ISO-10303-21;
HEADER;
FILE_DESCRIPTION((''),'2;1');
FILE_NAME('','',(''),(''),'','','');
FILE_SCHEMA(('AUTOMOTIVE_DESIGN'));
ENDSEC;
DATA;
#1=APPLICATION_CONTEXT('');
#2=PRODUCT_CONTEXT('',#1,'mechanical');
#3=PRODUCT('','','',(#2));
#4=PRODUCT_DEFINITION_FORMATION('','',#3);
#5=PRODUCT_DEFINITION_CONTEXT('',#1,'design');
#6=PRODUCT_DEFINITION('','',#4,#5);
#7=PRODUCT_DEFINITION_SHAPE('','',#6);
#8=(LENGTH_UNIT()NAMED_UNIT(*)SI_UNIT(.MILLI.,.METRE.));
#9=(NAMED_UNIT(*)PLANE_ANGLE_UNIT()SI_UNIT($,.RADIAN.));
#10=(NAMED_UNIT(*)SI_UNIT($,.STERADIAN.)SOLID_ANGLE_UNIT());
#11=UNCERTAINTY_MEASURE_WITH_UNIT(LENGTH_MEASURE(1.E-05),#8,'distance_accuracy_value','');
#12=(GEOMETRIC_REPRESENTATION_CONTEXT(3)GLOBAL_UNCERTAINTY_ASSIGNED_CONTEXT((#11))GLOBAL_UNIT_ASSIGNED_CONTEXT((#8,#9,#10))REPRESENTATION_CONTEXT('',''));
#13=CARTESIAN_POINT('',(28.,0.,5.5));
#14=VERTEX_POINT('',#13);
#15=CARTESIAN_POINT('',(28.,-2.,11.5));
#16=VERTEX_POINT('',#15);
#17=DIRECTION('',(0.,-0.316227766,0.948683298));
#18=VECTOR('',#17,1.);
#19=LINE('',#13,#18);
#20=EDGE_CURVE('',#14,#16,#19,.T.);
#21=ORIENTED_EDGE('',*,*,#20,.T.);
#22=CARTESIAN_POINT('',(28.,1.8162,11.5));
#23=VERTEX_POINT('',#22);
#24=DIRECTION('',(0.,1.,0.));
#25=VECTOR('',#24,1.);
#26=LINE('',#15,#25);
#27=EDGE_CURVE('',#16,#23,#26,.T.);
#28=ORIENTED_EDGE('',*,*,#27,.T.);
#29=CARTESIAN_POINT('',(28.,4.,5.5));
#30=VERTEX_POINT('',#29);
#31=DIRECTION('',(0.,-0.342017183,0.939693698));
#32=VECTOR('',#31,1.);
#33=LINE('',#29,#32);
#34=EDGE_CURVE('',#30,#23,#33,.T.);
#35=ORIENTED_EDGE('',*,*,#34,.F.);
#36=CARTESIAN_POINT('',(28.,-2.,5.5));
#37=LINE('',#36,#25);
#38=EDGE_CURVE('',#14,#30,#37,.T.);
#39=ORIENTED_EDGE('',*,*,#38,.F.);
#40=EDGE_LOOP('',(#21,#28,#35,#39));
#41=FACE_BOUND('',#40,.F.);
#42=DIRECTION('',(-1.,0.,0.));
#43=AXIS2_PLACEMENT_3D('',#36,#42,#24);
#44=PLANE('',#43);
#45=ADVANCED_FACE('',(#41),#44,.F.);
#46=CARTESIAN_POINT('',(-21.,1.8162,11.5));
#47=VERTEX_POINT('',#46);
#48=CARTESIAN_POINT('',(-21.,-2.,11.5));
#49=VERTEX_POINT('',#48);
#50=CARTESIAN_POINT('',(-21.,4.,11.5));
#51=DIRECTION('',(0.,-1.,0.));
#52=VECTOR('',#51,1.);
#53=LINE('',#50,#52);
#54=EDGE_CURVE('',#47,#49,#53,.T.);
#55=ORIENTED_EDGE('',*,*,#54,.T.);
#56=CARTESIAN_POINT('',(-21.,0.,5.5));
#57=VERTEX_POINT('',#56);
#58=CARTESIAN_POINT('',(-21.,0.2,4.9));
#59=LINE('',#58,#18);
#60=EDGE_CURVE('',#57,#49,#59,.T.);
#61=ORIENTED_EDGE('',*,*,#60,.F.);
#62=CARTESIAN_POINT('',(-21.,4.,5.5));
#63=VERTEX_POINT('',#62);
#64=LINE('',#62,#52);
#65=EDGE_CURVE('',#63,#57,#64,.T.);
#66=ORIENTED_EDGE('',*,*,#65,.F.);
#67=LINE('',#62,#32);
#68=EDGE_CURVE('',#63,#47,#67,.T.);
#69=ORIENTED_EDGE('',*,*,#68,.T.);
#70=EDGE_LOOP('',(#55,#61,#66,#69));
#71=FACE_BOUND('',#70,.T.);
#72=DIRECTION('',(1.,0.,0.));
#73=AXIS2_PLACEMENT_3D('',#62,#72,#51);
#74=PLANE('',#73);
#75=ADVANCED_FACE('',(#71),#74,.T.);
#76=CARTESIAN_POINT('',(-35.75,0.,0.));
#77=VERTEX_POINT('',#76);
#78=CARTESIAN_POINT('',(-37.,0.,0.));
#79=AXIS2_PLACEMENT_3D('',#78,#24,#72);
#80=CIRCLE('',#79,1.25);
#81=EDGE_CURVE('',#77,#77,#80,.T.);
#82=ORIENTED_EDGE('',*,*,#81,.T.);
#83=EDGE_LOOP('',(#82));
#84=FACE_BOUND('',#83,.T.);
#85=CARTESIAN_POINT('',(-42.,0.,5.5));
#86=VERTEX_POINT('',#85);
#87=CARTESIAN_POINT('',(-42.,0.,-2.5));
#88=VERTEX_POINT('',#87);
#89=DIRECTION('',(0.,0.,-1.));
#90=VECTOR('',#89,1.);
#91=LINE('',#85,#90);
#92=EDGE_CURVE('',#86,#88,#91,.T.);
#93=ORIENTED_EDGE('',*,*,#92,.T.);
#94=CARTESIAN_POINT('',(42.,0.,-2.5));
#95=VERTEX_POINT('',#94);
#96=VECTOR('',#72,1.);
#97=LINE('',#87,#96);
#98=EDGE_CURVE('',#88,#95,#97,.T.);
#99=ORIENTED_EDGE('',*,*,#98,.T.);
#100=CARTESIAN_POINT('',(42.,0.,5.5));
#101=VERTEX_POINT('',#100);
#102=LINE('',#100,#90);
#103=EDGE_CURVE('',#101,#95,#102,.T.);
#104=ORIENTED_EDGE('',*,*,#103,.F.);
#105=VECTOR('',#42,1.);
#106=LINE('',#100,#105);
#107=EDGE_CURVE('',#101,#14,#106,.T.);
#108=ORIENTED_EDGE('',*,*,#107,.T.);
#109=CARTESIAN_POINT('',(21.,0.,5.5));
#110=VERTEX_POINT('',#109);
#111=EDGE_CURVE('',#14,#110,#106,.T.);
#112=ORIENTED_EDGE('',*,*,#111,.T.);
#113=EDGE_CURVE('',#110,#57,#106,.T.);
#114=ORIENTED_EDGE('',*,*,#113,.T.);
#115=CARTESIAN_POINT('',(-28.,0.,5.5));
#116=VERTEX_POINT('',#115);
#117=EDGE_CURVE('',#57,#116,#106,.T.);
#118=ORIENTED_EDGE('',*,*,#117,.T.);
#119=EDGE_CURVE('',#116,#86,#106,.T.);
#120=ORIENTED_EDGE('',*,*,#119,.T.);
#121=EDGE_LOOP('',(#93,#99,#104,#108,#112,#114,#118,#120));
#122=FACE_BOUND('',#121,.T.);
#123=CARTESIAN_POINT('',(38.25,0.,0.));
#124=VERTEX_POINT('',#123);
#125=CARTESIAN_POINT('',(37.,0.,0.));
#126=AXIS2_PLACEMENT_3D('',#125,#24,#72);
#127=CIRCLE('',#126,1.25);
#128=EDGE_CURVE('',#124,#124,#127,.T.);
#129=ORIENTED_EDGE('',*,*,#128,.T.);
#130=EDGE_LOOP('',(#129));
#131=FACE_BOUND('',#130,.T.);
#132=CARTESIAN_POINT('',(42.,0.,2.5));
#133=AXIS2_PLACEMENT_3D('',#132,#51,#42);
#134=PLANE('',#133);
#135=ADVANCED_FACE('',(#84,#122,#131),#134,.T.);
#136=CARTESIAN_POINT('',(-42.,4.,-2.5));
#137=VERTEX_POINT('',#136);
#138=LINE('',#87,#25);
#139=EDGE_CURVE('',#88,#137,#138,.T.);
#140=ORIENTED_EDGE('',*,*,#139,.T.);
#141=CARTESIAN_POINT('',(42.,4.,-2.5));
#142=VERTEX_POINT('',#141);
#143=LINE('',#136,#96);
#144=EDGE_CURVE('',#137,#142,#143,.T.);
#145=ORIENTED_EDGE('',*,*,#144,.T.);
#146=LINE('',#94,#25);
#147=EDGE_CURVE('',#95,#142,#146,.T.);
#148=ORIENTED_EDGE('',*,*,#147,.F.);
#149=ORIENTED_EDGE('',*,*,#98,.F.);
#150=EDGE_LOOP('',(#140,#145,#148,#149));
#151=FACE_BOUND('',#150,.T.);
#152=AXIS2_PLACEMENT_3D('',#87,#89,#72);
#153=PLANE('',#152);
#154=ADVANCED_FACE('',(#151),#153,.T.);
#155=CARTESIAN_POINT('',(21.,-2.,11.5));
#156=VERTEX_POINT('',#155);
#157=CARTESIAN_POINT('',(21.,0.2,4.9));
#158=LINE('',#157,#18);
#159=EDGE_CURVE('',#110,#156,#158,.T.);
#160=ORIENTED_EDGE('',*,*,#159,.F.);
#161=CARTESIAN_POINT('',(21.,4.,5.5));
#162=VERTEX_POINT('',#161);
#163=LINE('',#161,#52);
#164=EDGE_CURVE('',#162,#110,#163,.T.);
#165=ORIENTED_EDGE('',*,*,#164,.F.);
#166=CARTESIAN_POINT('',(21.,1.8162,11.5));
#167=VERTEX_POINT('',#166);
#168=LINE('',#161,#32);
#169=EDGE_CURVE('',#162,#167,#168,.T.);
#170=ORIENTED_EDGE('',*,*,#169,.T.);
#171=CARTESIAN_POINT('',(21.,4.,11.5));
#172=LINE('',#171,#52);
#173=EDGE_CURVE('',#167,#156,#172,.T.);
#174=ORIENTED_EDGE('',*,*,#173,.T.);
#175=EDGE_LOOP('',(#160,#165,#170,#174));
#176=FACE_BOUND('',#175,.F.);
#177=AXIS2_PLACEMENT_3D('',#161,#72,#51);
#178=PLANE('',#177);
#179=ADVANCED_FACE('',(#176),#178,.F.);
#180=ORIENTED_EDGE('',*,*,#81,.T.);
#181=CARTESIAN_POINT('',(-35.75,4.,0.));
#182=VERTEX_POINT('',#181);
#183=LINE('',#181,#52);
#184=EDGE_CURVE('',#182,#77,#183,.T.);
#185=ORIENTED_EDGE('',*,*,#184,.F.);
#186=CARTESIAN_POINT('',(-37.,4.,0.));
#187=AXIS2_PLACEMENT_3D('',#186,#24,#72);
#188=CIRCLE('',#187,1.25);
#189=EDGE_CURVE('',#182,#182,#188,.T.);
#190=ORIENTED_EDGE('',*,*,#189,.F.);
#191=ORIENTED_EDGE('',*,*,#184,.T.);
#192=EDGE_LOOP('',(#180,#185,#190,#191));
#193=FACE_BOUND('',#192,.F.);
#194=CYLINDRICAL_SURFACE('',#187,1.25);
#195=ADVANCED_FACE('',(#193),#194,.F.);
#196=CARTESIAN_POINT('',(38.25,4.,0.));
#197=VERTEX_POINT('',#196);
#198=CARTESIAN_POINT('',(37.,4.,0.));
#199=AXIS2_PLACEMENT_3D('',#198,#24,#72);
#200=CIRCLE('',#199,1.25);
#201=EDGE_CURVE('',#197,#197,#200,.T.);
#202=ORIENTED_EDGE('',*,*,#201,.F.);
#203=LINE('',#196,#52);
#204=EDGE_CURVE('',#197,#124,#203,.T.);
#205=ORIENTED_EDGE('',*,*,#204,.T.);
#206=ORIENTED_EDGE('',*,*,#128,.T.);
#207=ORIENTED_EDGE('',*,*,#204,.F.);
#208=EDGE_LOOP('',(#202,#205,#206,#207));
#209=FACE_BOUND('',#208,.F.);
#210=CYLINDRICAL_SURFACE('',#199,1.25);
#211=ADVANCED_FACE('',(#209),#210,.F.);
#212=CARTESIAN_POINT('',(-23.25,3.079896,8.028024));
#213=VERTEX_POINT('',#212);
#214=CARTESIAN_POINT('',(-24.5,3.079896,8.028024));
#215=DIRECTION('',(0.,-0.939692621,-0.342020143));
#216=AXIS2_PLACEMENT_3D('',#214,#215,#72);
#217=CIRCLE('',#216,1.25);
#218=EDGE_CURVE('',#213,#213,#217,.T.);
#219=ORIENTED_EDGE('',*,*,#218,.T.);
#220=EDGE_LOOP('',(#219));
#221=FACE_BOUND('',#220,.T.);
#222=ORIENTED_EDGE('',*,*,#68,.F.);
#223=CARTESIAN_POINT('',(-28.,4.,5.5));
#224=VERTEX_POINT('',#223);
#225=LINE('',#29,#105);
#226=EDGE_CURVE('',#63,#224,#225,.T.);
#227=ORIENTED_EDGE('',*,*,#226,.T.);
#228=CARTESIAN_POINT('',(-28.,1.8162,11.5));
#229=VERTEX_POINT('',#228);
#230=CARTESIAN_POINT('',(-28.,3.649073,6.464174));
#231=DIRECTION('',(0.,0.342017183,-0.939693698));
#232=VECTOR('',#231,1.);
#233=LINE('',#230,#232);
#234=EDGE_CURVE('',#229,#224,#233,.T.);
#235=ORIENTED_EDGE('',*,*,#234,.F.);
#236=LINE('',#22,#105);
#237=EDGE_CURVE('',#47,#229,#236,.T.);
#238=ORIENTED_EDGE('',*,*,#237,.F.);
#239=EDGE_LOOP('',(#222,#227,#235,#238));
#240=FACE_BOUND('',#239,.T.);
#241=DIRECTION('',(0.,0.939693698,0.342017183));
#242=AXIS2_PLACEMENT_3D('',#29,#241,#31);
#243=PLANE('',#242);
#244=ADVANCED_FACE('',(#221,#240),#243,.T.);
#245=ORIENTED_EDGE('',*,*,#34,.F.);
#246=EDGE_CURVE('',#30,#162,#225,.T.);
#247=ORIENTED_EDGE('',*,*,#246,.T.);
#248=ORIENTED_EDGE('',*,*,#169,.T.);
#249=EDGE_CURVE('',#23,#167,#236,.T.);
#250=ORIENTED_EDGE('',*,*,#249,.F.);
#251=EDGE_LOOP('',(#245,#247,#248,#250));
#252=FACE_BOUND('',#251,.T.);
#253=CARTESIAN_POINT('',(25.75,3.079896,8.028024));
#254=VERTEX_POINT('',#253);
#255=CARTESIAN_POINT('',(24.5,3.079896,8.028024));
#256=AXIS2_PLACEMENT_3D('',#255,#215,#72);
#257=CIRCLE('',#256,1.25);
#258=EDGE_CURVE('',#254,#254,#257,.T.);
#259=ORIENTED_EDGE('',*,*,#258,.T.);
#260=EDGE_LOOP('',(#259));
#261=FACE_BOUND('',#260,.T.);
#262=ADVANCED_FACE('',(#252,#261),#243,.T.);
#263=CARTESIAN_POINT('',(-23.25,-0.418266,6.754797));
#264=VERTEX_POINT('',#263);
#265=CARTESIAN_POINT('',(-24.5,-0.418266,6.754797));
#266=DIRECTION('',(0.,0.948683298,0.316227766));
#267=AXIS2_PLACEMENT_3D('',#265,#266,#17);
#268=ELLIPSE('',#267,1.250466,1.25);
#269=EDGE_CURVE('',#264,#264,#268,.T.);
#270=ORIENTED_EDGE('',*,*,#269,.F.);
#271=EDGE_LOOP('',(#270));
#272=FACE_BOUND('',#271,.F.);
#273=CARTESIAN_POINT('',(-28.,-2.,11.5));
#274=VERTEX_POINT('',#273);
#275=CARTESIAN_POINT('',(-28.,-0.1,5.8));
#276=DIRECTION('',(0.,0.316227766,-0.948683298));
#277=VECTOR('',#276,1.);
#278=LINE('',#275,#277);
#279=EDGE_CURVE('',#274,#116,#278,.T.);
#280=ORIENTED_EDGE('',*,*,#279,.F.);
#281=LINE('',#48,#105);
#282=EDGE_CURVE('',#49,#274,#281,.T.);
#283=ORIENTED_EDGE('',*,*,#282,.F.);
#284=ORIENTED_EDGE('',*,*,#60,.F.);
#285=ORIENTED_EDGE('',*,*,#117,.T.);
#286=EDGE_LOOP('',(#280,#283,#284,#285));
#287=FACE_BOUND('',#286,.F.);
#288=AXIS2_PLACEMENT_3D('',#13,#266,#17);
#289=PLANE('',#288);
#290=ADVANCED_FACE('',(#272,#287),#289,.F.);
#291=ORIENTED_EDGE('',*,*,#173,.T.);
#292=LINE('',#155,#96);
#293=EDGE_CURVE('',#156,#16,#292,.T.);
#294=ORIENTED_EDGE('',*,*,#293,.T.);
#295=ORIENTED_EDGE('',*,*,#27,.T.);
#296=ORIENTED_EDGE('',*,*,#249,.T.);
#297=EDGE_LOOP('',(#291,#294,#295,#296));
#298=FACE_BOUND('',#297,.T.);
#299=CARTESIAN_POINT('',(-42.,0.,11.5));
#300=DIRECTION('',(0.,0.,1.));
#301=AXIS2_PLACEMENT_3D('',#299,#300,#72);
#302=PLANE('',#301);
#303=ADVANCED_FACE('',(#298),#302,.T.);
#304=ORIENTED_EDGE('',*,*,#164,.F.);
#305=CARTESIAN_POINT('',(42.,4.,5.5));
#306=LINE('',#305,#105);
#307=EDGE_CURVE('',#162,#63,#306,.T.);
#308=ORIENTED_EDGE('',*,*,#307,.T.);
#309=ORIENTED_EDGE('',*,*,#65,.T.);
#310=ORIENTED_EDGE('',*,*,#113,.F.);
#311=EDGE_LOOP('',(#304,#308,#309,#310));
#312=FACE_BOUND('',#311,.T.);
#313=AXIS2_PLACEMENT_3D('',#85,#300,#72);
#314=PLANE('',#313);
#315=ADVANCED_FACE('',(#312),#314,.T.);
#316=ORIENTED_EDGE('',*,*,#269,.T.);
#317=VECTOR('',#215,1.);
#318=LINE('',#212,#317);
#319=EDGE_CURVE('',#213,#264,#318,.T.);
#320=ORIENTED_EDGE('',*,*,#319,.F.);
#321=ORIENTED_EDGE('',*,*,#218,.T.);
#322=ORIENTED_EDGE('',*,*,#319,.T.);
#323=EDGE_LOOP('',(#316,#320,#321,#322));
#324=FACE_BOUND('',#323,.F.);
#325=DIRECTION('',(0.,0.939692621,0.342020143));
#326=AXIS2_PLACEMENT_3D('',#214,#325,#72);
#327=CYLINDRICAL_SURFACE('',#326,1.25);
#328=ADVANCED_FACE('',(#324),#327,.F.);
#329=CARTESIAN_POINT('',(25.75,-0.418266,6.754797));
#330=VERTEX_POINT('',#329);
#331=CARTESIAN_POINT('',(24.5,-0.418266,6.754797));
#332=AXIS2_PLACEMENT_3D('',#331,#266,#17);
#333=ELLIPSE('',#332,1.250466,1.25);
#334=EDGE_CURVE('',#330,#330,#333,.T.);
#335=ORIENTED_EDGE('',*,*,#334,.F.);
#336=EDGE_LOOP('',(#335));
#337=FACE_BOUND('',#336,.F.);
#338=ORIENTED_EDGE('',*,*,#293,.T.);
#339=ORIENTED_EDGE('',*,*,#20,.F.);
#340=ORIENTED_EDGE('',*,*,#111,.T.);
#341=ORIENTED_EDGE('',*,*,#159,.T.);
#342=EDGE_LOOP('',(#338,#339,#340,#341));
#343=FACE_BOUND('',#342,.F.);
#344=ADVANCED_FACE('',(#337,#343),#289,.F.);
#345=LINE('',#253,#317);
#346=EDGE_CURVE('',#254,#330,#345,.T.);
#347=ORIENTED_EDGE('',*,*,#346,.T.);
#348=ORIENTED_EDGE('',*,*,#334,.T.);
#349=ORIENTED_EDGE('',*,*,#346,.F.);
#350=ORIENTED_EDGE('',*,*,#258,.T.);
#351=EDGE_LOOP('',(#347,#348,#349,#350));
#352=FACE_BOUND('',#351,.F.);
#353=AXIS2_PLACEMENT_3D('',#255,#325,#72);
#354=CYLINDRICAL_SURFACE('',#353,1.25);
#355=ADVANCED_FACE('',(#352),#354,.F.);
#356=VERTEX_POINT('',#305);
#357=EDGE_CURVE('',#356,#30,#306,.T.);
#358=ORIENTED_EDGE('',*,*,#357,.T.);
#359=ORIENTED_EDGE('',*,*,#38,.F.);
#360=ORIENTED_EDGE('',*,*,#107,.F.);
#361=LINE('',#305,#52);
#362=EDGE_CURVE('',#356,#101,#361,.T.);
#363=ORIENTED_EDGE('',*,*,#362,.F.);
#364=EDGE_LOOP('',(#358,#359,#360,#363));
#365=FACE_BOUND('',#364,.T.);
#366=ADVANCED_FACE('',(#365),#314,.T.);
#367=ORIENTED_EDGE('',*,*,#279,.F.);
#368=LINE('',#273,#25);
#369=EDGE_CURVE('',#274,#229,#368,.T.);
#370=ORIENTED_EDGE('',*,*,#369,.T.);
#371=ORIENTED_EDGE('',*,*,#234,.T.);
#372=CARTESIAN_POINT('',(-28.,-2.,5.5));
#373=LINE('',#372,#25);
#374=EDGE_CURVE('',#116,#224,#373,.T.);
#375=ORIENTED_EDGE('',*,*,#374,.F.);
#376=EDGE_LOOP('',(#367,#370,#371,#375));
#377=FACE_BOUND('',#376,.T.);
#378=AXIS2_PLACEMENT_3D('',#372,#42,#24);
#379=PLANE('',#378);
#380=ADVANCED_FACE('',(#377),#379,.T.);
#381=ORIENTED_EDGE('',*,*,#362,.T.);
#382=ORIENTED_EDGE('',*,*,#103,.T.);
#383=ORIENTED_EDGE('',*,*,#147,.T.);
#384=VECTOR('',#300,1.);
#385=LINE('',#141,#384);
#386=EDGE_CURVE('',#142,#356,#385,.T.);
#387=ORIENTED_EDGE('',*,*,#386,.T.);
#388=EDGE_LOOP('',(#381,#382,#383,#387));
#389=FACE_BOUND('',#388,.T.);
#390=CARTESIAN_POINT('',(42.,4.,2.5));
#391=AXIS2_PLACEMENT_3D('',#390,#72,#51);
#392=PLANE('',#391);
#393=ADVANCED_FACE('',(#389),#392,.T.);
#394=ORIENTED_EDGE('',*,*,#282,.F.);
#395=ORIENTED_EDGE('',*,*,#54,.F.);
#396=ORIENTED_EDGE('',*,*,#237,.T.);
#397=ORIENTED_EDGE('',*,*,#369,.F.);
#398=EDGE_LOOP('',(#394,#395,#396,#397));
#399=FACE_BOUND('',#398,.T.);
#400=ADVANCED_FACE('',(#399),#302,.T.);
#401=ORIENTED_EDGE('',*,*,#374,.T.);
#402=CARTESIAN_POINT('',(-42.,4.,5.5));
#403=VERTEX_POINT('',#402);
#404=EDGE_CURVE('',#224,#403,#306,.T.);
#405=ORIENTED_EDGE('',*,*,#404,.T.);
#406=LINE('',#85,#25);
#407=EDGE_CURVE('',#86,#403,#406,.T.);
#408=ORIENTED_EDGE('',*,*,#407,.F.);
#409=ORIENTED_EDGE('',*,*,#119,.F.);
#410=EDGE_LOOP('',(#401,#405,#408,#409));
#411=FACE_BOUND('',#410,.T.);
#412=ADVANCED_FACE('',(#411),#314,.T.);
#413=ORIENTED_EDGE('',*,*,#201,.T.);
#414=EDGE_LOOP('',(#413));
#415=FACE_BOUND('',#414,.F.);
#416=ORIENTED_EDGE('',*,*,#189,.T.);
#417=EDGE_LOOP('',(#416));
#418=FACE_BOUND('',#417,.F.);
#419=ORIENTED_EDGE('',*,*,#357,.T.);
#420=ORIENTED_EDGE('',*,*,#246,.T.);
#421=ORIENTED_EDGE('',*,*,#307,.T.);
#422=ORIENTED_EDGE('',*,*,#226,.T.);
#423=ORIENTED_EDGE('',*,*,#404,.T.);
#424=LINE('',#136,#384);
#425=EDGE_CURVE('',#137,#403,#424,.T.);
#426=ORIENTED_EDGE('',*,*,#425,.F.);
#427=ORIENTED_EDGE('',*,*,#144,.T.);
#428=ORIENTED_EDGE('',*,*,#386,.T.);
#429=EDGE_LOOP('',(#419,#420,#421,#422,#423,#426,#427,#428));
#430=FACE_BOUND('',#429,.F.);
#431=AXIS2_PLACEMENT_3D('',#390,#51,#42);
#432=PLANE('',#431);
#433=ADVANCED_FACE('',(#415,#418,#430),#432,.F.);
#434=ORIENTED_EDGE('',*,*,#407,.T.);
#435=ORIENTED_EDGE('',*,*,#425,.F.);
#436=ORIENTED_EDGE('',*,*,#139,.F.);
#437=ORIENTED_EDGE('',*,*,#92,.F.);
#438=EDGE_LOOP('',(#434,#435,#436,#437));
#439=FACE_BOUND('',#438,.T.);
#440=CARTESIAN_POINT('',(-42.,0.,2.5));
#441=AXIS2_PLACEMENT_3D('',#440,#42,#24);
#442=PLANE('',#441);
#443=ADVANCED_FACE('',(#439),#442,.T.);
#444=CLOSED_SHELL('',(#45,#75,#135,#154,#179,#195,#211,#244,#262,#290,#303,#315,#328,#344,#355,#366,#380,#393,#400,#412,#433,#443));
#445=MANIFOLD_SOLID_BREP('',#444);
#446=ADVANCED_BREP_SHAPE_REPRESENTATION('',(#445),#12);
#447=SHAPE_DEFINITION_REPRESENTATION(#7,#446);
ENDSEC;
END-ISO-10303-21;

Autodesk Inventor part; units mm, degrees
ref_plane "YZ Plane" through (0, 0, 0) normal (1, 0, 0) x (0, 1, 0)
ref_plane "XZ Plane" through (0, 0, 0) normal (0, 1, 0) x (-1, 0, 0)
ref_plane "XY Plane" through (0, 0, 0) normal (0, 0, 1) x (1, 0, 0)
sketch "Sketch1" plane through (0, 0, 0) normal (0, 1, 0) x (-1, 0, 0)
  line L0 (-42, 2.5) -> (42, 2.5)
  line L1 (42, 2.5) -> (42, -2.5)
  line L2 (42, -2.5) -> (-42, -2.5)
  line L3 (-42, -2.5) -> (-42, 2.5)
  line L4 (-42, 2.5) -> (42, -2.5) construction
  line L5 (42, 2.5) -> (-42, -2.5) construction
  point P0 (0, 0)
  dimension "d0" = 84
  dimension "d1" = 5
extrude "Extrusion1" add sketch "Sketch1" along normal blind 4
sketch "Sketch2" plane through (0, 4, 0) normal (0, 1, 0) x (1, 0, 0)
  circle A0 centre (-37, 0) radius 1.25
  circle A1 centre (37, 0) radius 1.25
  line L0 (42, -2.5) -> (42, 2.5) projected
  line L1 (-42, -2.5) -> (-42, 2.5) projected
  point P0 (0, 0)
  dimension "d4" = 2.5
  dimension "d5" = 2.5
  dimension "d6" = 5
  dimension "d7" = 5
extrude "Extrusion2" cut sketch "Sketch2" against normal up to next
sketch "Sketch3" plane through (-42, 0, 2.5) normal (0, 0, 1) x (1, 0, 0)
  line L0 (84, 4) -> (0, 4) projected
  line L1 (0, 4) -> (84, 4)
  line L2 (84, 4) -> (84, 0)
  line L3 (84, 0) -> (0, 0)
  line L4 (0, 0) -> (0, 4)
  point P0 (42, 0)
extrude "Extrusion3" add sketch "Sketch3" along normal blind 3
sketch "Sketch4" plane through (-42, 0, 5.5) normal (0, 0, 1) x (1, 0, 0)
  line L0 (84, 4) -> (70, 4)
  line L1 (84, 4) -> (0, 4) projected
  line L2 (0, 4) -> (14, 4)
  line L3 (14, 4) -> (21, 4)
  line L4 (21, 4) -> (21, -2)
  line L5 (21, -2) -> (14, -2)
  line L6 (14, -2) -> (14, 4)
  line L7 (70, 4) -> (63, 4)
  line L8 (63, 4) -> (63, -2)
  line L9 (63, -2) -> (70, -2)
  line L10 (70, -2) -> (70, 4)
  point P0 (42, 0)
  dimension "d12" = 14
  dimension "d13" = 14
  dimension "d14" = 7
  dimension "d15" = 6
  dimension "d16" = 7
  dimension "d17" = 6
extrude "Extrusion4" add sketch "Sketch4" along normal blind 6
sketch "Sketch5" plane through (28, -2, 5.5) normal (1, 0, 0) x (0, 0, -1)
  line L0 (0, 6) -> (-6, 3.8162)
  line L1 (-6, 0) -> (-6, 6) projected
  line L2 (0, 6) -> (6.3851, 6) construction
  line L3 (-6, 3.8162) -> (-6, 6)
  line L4 (0, 6) -> (-6, 6) projected
  line L5 (0, 6) -> (-6, 6)
  point P0 (5.5, 2)
  dimension "d20" = 160
extrude "Extrusion5" cut sketch "Sketch5" against normal through all
sketch "Sketch6" plane through (28, -2, 5.5) normal (1, 0, 0) x (0, 0, -1)
  line L0 (0, 0) -> (0, 2) projected
  line L1 (0, 0) -> (-6, 0) projected
  line L2 (0, 2) -> (-6, 0)
  point P0 (5.5, 2)
extrude "Extrusion6" cut sketch "Sketch6" against normal through all
sketch "Sketch7" plane through (21, 1.8162, 11.5) normal (0, 0.9397, 0.342) x (1, 0, 0)
  line L0 (0, -1.3052) -> (7, -1.3052) projected
  line L1 (3.5, -1.3052) -> (3.5, 3.6948)
  circle A0 centre (3.5, 3.6948) radius 1.25
  line L2 (-49, -1.3052) -> (-42, -1.3052) projected
  line L3 (-45.5, -1.3052) -> (-45.5, 3.6948)
  circle A1 centre (-45.5, 3.6948) radius 1.25
  point P0 (-21, 10.1853)
  dimension "d25" = 5
  dimension "d26" = 2.5
  dimension "d27" = 5
  dimension "d28" = 2.5
extrude "Extrusion7" cut sketch "Sketch7" against normal up to next
properties part number "rpi_stabilizer"
